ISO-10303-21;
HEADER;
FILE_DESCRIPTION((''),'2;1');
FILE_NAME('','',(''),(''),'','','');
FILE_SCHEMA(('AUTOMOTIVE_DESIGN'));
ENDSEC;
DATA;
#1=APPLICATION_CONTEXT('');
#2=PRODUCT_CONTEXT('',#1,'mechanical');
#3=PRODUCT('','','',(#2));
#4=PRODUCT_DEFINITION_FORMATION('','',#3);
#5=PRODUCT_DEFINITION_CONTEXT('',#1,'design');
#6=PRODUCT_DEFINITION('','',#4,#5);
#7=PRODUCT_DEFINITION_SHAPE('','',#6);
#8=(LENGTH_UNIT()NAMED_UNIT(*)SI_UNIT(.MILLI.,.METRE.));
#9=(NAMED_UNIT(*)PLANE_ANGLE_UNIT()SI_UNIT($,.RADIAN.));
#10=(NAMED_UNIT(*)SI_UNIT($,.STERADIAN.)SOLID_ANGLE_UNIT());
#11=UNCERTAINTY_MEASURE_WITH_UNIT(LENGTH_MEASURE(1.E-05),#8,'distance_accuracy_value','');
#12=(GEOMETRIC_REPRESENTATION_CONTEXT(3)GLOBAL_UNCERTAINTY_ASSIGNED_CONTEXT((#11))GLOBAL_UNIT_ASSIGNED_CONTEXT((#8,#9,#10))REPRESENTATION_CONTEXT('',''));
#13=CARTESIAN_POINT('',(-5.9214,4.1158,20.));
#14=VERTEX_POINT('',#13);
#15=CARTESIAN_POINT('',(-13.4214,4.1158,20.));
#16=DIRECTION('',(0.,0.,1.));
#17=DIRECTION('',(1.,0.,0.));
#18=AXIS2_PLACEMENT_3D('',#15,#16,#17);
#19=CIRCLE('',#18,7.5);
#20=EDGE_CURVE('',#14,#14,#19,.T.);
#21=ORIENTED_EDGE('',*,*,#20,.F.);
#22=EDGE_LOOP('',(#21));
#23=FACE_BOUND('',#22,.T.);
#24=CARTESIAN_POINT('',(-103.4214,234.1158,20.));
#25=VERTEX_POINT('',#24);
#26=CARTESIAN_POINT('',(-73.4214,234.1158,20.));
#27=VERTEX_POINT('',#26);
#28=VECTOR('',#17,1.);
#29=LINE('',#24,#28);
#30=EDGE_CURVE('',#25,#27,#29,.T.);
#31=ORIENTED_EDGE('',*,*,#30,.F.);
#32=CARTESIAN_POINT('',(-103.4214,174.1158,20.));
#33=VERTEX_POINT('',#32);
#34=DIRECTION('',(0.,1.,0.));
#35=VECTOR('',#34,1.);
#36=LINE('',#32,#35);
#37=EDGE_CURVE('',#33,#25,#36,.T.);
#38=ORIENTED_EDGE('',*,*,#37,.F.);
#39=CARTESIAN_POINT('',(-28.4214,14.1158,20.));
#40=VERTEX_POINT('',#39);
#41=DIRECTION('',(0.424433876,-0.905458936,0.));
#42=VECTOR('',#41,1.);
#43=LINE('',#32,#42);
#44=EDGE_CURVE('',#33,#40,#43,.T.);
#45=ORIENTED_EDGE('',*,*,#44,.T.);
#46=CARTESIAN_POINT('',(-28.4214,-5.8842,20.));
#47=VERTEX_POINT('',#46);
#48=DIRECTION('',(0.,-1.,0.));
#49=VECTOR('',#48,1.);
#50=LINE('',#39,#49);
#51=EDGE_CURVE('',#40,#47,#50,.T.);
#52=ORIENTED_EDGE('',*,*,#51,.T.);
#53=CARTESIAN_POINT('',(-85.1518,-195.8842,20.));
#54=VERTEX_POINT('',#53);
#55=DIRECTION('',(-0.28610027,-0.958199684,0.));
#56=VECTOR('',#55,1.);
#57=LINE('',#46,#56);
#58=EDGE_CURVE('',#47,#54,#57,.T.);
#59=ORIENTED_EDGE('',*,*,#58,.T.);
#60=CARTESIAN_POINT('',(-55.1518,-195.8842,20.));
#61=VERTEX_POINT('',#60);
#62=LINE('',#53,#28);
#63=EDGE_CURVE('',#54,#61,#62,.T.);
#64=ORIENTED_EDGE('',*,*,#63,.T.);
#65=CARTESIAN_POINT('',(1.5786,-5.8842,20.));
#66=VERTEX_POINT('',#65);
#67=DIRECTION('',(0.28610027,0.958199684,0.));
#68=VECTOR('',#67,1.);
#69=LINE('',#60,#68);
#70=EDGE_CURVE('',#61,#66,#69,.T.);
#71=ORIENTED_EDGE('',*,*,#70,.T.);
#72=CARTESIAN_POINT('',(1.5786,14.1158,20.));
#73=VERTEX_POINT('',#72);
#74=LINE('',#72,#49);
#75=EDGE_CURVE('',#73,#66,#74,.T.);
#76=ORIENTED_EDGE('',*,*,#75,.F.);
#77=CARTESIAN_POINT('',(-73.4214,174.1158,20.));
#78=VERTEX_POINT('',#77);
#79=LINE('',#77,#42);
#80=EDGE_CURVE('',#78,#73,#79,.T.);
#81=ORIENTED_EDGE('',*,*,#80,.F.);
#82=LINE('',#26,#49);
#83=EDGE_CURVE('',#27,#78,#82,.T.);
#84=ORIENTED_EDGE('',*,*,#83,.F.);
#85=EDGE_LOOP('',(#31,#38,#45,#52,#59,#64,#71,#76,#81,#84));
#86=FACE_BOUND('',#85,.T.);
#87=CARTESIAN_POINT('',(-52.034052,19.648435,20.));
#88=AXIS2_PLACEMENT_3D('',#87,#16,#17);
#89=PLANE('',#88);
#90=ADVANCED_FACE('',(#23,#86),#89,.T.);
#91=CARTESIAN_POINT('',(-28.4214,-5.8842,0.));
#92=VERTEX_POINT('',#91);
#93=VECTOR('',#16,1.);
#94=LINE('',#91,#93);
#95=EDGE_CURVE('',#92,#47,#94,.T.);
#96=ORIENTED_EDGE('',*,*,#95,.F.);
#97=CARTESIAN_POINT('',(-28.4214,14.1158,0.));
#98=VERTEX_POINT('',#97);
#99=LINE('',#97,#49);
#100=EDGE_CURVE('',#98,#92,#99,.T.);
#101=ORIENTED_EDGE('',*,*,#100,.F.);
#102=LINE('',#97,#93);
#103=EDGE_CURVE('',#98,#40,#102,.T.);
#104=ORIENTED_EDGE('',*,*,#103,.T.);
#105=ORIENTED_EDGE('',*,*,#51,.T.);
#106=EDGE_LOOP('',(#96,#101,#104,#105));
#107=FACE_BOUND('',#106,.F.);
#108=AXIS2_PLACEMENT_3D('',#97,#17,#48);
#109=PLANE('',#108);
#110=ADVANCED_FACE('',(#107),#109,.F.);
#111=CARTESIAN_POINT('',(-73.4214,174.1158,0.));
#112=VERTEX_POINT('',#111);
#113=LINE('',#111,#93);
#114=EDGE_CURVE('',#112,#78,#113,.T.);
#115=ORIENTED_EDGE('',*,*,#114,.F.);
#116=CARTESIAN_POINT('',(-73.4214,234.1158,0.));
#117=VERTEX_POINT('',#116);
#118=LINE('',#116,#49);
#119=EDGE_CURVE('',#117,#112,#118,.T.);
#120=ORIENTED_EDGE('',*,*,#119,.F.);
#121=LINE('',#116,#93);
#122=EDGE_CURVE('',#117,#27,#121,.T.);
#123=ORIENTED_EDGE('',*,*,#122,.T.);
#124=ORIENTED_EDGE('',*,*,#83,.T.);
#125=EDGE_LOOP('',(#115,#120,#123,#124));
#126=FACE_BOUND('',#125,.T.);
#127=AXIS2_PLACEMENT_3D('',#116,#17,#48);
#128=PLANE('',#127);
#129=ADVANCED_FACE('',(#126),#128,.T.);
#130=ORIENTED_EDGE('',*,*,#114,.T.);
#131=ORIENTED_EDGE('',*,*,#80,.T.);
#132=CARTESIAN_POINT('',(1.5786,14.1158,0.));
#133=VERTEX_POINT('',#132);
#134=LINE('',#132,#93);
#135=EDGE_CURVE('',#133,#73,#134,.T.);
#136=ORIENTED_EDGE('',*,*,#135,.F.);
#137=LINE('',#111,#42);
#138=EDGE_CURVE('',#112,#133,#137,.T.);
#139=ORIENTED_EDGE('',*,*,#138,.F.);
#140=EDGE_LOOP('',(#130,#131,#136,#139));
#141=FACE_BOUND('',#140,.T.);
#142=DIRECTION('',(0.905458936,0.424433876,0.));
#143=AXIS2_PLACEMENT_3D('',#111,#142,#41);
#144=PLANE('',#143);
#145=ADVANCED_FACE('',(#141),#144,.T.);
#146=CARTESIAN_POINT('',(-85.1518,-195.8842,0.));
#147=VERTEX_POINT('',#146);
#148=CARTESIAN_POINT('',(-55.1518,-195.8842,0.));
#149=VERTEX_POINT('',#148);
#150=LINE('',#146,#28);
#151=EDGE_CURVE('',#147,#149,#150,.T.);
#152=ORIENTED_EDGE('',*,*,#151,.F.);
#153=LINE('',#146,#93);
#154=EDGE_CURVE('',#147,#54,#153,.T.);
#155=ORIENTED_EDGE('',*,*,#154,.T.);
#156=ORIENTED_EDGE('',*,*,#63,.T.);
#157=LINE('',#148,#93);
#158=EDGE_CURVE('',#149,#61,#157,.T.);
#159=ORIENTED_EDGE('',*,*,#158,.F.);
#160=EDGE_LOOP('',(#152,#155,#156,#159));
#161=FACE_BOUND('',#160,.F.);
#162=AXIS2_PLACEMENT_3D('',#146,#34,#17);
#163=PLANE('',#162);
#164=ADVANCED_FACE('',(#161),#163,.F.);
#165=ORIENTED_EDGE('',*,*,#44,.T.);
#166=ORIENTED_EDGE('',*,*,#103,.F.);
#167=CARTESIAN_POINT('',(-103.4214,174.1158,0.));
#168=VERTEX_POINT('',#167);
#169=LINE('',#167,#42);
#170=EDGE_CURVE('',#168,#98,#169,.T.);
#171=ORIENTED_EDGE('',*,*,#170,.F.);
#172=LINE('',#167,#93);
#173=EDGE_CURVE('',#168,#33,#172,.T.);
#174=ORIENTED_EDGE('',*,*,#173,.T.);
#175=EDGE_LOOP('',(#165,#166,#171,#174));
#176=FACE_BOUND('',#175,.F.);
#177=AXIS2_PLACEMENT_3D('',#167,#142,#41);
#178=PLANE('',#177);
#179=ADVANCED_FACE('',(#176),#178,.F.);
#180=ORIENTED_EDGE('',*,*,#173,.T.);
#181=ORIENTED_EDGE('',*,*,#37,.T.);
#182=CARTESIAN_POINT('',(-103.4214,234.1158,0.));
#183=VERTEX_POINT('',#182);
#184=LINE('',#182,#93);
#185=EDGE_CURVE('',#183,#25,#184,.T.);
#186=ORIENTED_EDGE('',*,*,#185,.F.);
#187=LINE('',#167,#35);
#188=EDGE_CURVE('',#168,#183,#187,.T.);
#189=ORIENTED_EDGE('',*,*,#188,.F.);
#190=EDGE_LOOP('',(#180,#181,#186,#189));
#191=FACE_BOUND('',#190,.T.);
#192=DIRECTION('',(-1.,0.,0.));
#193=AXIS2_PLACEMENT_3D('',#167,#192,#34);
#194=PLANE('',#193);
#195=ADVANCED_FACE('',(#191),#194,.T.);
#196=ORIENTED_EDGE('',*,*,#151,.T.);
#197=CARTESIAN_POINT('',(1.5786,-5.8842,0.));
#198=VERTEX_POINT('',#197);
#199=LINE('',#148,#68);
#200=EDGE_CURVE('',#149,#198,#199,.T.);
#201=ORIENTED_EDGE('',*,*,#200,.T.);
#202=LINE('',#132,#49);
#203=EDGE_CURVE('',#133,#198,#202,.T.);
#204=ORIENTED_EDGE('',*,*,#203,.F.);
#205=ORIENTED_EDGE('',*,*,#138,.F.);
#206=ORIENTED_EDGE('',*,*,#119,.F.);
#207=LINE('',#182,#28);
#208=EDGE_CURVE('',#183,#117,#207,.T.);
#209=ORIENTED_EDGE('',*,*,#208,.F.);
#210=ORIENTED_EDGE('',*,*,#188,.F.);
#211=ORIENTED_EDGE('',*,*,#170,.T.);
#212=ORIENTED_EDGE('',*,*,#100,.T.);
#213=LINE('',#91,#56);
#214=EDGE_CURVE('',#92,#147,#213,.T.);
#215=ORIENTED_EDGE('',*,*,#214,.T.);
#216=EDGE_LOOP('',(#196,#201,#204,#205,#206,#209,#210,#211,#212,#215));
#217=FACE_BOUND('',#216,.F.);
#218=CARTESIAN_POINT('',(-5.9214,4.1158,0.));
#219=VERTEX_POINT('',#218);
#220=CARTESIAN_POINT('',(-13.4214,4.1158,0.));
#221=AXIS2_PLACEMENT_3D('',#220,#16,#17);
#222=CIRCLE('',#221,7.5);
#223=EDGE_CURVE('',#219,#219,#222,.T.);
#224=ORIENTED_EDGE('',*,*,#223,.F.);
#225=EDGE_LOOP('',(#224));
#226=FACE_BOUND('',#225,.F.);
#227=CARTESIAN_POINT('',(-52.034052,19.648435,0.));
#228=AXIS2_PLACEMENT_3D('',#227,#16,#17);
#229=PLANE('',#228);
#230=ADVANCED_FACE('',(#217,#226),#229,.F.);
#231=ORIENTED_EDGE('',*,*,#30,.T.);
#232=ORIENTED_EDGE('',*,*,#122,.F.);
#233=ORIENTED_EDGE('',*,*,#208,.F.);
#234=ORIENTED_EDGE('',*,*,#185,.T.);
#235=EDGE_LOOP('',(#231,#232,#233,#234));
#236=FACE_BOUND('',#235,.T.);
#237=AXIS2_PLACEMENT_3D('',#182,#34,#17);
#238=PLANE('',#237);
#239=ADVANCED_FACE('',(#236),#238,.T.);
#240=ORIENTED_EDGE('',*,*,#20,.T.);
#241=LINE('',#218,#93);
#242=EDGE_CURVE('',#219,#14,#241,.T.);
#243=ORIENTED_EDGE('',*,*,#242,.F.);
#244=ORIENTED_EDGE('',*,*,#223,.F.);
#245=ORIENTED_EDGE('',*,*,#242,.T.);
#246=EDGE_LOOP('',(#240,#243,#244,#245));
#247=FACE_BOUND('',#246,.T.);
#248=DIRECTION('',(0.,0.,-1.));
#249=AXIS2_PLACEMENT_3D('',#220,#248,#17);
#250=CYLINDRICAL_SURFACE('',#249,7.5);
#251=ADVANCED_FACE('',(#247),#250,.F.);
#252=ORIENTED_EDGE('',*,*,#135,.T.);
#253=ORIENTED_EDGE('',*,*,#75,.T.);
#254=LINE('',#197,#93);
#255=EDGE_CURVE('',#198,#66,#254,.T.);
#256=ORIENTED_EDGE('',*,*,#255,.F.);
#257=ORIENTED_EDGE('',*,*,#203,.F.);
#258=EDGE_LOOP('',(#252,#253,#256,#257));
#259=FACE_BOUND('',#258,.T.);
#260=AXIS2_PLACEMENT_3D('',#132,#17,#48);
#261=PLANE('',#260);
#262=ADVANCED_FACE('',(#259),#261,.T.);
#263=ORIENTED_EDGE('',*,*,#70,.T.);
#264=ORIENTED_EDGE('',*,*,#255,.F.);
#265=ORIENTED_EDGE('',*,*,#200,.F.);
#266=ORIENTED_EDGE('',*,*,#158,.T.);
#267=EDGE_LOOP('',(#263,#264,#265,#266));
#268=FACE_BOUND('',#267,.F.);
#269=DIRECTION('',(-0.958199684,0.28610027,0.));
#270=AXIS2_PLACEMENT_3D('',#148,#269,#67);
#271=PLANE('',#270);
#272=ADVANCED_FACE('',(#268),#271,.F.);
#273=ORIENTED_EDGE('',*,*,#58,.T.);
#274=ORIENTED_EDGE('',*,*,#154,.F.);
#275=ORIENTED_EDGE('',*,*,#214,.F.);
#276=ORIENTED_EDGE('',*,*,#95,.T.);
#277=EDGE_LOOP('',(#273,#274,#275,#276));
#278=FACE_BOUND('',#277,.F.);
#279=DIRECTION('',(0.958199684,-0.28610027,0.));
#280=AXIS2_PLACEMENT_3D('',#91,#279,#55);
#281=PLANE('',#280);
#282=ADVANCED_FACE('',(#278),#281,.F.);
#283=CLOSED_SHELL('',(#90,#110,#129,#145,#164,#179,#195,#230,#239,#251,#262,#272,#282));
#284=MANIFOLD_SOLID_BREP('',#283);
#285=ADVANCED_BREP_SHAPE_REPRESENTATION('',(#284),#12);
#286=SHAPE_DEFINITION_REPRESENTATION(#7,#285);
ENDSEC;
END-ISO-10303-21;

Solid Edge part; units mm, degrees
sketch "Sketch1" plane through (0, 0, 0) normal (0, 0, 1) x (1, 0, 0)
  circle A0 centre (-13.4214, 4.1158) radius 7.5
  line L0 (-103.4214, 174.1158) -> (-28.4214, 14.1158)
  line L1 (-28.4214, 14.1158) -> (-28.4214, -5.8842)
  line L2 (-28.4214, -5.8842) -> (-85.1518, -195.8842)
  line L3 (-85.1518, -195.8842) -> (-55.1518, -195.8842)
  line L4 (-55.1518, -195.8842) -> (1.5786, -5.8842)
  line L5 (1.5786, 14.1158) -> (1.5786, -5.8842)
  line L6 (-73.4214, 174.1158) -> (1.5786, 14.1158)
  line L7 (-73.4214, 234.1158) -> (-73.4214, 174.1158)
  line L8 (-103.4214, 234.1158) -> (-73.4214, 234.1158)
  line L9 (-103.4214, 174.1158) -> (-103.4214, 234.1158)
  dimension "D1" = 20
  dimension "D2" = 60
  dimension "D3" = 30
  dimension "D4" = 60
  dimension "D5" = 20
  dimension "D6" = 15
  dimension "D7" = 200
  dimension "D8" = 200
  dimension "D9" = 60
extrude "Protrusion1" add sketch "Sketch1" along normal blind 20
